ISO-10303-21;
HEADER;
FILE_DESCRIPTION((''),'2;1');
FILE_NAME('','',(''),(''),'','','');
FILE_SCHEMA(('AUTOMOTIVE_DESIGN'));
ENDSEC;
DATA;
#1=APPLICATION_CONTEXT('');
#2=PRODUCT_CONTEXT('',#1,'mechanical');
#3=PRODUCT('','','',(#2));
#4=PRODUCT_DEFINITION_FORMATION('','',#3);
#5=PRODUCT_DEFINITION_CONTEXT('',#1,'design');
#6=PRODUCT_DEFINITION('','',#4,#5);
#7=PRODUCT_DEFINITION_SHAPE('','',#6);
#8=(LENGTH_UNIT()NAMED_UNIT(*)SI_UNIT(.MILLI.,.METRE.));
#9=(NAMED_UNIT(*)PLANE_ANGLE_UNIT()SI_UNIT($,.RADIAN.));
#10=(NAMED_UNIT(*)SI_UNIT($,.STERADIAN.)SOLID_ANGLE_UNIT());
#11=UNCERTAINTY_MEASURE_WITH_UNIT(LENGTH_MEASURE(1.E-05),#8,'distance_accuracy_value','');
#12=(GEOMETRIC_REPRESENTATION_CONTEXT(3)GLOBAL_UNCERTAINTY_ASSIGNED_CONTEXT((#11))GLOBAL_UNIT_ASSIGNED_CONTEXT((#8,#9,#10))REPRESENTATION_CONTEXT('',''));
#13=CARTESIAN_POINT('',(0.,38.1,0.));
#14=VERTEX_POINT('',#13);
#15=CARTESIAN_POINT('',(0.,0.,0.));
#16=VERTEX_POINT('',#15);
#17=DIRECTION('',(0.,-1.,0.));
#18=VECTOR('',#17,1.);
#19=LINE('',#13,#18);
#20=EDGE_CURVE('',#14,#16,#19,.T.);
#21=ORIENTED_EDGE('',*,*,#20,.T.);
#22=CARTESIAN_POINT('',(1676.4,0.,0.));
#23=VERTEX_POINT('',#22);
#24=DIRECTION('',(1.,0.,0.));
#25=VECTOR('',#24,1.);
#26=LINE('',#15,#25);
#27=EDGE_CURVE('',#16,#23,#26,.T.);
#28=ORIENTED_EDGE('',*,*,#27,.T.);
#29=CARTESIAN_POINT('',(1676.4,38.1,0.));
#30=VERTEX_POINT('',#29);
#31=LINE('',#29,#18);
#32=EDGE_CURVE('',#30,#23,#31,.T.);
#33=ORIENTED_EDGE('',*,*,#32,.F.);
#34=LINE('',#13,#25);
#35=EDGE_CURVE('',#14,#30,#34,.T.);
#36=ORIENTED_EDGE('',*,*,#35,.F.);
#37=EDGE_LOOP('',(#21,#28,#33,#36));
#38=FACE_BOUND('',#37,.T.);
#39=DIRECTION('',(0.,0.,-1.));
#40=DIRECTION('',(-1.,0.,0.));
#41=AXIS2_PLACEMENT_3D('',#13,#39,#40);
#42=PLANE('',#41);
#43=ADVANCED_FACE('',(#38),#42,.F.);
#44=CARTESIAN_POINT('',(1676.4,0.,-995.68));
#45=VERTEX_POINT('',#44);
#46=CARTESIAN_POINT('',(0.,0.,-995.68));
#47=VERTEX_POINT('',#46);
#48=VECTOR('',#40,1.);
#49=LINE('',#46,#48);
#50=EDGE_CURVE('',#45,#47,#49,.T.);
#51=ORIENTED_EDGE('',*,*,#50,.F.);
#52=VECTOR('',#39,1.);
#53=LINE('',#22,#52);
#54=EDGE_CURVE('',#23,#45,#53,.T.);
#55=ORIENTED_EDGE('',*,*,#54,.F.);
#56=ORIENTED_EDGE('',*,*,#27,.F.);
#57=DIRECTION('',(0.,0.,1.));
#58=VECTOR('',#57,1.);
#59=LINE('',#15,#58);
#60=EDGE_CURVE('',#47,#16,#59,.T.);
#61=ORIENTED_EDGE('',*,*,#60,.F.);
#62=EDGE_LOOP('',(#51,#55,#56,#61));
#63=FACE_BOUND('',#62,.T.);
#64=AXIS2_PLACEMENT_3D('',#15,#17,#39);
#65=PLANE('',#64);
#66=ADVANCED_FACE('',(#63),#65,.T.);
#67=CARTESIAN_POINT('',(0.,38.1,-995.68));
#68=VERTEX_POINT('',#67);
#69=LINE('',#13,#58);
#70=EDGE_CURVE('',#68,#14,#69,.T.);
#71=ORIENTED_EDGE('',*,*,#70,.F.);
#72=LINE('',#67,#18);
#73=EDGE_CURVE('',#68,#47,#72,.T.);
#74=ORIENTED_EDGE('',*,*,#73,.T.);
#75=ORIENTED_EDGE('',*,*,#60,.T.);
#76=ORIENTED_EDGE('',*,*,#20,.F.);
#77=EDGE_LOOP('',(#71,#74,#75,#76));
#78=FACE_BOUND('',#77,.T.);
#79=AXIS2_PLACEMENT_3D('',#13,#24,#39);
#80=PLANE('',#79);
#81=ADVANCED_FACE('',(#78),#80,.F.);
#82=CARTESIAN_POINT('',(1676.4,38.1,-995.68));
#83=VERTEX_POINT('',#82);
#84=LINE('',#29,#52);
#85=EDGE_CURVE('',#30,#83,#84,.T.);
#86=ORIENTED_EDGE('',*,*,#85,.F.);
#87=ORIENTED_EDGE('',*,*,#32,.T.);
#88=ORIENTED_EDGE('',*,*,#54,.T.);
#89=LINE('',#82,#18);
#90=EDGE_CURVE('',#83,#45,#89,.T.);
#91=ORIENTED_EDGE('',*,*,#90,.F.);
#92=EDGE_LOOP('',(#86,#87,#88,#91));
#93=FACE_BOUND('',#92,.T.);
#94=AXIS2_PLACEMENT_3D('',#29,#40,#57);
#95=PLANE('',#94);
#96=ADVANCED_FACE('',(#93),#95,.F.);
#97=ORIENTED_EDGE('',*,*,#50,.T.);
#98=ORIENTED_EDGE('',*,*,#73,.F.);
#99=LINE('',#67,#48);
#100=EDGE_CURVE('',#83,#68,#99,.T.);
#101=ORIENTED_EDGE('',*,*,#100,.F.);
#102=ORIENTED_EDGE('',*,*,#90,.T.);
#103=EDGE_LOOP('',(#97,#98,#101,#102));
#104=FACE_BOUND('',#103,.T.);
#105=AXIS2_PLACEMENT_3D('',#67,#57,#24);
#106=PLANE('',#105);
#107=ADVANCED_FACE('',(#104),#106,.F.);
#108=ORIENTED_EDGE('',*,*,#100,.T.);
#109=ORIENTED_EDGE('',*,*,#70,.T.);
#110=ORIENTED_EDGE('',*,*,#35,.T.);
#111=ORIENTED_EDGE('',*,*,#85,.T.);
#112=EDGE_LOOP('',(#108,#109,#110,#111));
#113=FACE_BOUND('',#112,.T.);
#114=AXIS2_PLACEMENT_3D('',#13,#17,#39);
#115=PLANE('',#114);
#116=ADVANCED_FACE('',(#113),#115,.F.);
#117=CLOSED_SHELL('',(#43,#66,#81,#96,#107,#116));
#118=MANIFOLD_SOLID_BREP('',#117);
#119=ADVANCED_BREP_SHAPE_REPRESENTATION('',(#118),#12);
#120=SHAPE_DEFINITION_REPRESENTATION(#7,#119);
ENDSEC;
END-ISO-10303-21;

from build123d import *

# Parameters (mm, degrees)
SKETCH1_W           = 1676.4
SKETCH1_H           = 995.68
BOSS_EXTRUDE1_DEPTH = 38.1


with BuildPart() as part:
    # Sketch1 → Boss-Extrude1 (new body)
    with BuildSketch(Plane(origin=(0, 0, 0), x_dir=(1, 0, 0), z_dir=(0, 1, 0))):
        with Locations((838.2, 497.84)):
            Rectangle(SKETCH1_W, SKETCH1_H)
    extrude(amount=BOSS_EXTRUDE1_DEPTH)


solid = part.part
